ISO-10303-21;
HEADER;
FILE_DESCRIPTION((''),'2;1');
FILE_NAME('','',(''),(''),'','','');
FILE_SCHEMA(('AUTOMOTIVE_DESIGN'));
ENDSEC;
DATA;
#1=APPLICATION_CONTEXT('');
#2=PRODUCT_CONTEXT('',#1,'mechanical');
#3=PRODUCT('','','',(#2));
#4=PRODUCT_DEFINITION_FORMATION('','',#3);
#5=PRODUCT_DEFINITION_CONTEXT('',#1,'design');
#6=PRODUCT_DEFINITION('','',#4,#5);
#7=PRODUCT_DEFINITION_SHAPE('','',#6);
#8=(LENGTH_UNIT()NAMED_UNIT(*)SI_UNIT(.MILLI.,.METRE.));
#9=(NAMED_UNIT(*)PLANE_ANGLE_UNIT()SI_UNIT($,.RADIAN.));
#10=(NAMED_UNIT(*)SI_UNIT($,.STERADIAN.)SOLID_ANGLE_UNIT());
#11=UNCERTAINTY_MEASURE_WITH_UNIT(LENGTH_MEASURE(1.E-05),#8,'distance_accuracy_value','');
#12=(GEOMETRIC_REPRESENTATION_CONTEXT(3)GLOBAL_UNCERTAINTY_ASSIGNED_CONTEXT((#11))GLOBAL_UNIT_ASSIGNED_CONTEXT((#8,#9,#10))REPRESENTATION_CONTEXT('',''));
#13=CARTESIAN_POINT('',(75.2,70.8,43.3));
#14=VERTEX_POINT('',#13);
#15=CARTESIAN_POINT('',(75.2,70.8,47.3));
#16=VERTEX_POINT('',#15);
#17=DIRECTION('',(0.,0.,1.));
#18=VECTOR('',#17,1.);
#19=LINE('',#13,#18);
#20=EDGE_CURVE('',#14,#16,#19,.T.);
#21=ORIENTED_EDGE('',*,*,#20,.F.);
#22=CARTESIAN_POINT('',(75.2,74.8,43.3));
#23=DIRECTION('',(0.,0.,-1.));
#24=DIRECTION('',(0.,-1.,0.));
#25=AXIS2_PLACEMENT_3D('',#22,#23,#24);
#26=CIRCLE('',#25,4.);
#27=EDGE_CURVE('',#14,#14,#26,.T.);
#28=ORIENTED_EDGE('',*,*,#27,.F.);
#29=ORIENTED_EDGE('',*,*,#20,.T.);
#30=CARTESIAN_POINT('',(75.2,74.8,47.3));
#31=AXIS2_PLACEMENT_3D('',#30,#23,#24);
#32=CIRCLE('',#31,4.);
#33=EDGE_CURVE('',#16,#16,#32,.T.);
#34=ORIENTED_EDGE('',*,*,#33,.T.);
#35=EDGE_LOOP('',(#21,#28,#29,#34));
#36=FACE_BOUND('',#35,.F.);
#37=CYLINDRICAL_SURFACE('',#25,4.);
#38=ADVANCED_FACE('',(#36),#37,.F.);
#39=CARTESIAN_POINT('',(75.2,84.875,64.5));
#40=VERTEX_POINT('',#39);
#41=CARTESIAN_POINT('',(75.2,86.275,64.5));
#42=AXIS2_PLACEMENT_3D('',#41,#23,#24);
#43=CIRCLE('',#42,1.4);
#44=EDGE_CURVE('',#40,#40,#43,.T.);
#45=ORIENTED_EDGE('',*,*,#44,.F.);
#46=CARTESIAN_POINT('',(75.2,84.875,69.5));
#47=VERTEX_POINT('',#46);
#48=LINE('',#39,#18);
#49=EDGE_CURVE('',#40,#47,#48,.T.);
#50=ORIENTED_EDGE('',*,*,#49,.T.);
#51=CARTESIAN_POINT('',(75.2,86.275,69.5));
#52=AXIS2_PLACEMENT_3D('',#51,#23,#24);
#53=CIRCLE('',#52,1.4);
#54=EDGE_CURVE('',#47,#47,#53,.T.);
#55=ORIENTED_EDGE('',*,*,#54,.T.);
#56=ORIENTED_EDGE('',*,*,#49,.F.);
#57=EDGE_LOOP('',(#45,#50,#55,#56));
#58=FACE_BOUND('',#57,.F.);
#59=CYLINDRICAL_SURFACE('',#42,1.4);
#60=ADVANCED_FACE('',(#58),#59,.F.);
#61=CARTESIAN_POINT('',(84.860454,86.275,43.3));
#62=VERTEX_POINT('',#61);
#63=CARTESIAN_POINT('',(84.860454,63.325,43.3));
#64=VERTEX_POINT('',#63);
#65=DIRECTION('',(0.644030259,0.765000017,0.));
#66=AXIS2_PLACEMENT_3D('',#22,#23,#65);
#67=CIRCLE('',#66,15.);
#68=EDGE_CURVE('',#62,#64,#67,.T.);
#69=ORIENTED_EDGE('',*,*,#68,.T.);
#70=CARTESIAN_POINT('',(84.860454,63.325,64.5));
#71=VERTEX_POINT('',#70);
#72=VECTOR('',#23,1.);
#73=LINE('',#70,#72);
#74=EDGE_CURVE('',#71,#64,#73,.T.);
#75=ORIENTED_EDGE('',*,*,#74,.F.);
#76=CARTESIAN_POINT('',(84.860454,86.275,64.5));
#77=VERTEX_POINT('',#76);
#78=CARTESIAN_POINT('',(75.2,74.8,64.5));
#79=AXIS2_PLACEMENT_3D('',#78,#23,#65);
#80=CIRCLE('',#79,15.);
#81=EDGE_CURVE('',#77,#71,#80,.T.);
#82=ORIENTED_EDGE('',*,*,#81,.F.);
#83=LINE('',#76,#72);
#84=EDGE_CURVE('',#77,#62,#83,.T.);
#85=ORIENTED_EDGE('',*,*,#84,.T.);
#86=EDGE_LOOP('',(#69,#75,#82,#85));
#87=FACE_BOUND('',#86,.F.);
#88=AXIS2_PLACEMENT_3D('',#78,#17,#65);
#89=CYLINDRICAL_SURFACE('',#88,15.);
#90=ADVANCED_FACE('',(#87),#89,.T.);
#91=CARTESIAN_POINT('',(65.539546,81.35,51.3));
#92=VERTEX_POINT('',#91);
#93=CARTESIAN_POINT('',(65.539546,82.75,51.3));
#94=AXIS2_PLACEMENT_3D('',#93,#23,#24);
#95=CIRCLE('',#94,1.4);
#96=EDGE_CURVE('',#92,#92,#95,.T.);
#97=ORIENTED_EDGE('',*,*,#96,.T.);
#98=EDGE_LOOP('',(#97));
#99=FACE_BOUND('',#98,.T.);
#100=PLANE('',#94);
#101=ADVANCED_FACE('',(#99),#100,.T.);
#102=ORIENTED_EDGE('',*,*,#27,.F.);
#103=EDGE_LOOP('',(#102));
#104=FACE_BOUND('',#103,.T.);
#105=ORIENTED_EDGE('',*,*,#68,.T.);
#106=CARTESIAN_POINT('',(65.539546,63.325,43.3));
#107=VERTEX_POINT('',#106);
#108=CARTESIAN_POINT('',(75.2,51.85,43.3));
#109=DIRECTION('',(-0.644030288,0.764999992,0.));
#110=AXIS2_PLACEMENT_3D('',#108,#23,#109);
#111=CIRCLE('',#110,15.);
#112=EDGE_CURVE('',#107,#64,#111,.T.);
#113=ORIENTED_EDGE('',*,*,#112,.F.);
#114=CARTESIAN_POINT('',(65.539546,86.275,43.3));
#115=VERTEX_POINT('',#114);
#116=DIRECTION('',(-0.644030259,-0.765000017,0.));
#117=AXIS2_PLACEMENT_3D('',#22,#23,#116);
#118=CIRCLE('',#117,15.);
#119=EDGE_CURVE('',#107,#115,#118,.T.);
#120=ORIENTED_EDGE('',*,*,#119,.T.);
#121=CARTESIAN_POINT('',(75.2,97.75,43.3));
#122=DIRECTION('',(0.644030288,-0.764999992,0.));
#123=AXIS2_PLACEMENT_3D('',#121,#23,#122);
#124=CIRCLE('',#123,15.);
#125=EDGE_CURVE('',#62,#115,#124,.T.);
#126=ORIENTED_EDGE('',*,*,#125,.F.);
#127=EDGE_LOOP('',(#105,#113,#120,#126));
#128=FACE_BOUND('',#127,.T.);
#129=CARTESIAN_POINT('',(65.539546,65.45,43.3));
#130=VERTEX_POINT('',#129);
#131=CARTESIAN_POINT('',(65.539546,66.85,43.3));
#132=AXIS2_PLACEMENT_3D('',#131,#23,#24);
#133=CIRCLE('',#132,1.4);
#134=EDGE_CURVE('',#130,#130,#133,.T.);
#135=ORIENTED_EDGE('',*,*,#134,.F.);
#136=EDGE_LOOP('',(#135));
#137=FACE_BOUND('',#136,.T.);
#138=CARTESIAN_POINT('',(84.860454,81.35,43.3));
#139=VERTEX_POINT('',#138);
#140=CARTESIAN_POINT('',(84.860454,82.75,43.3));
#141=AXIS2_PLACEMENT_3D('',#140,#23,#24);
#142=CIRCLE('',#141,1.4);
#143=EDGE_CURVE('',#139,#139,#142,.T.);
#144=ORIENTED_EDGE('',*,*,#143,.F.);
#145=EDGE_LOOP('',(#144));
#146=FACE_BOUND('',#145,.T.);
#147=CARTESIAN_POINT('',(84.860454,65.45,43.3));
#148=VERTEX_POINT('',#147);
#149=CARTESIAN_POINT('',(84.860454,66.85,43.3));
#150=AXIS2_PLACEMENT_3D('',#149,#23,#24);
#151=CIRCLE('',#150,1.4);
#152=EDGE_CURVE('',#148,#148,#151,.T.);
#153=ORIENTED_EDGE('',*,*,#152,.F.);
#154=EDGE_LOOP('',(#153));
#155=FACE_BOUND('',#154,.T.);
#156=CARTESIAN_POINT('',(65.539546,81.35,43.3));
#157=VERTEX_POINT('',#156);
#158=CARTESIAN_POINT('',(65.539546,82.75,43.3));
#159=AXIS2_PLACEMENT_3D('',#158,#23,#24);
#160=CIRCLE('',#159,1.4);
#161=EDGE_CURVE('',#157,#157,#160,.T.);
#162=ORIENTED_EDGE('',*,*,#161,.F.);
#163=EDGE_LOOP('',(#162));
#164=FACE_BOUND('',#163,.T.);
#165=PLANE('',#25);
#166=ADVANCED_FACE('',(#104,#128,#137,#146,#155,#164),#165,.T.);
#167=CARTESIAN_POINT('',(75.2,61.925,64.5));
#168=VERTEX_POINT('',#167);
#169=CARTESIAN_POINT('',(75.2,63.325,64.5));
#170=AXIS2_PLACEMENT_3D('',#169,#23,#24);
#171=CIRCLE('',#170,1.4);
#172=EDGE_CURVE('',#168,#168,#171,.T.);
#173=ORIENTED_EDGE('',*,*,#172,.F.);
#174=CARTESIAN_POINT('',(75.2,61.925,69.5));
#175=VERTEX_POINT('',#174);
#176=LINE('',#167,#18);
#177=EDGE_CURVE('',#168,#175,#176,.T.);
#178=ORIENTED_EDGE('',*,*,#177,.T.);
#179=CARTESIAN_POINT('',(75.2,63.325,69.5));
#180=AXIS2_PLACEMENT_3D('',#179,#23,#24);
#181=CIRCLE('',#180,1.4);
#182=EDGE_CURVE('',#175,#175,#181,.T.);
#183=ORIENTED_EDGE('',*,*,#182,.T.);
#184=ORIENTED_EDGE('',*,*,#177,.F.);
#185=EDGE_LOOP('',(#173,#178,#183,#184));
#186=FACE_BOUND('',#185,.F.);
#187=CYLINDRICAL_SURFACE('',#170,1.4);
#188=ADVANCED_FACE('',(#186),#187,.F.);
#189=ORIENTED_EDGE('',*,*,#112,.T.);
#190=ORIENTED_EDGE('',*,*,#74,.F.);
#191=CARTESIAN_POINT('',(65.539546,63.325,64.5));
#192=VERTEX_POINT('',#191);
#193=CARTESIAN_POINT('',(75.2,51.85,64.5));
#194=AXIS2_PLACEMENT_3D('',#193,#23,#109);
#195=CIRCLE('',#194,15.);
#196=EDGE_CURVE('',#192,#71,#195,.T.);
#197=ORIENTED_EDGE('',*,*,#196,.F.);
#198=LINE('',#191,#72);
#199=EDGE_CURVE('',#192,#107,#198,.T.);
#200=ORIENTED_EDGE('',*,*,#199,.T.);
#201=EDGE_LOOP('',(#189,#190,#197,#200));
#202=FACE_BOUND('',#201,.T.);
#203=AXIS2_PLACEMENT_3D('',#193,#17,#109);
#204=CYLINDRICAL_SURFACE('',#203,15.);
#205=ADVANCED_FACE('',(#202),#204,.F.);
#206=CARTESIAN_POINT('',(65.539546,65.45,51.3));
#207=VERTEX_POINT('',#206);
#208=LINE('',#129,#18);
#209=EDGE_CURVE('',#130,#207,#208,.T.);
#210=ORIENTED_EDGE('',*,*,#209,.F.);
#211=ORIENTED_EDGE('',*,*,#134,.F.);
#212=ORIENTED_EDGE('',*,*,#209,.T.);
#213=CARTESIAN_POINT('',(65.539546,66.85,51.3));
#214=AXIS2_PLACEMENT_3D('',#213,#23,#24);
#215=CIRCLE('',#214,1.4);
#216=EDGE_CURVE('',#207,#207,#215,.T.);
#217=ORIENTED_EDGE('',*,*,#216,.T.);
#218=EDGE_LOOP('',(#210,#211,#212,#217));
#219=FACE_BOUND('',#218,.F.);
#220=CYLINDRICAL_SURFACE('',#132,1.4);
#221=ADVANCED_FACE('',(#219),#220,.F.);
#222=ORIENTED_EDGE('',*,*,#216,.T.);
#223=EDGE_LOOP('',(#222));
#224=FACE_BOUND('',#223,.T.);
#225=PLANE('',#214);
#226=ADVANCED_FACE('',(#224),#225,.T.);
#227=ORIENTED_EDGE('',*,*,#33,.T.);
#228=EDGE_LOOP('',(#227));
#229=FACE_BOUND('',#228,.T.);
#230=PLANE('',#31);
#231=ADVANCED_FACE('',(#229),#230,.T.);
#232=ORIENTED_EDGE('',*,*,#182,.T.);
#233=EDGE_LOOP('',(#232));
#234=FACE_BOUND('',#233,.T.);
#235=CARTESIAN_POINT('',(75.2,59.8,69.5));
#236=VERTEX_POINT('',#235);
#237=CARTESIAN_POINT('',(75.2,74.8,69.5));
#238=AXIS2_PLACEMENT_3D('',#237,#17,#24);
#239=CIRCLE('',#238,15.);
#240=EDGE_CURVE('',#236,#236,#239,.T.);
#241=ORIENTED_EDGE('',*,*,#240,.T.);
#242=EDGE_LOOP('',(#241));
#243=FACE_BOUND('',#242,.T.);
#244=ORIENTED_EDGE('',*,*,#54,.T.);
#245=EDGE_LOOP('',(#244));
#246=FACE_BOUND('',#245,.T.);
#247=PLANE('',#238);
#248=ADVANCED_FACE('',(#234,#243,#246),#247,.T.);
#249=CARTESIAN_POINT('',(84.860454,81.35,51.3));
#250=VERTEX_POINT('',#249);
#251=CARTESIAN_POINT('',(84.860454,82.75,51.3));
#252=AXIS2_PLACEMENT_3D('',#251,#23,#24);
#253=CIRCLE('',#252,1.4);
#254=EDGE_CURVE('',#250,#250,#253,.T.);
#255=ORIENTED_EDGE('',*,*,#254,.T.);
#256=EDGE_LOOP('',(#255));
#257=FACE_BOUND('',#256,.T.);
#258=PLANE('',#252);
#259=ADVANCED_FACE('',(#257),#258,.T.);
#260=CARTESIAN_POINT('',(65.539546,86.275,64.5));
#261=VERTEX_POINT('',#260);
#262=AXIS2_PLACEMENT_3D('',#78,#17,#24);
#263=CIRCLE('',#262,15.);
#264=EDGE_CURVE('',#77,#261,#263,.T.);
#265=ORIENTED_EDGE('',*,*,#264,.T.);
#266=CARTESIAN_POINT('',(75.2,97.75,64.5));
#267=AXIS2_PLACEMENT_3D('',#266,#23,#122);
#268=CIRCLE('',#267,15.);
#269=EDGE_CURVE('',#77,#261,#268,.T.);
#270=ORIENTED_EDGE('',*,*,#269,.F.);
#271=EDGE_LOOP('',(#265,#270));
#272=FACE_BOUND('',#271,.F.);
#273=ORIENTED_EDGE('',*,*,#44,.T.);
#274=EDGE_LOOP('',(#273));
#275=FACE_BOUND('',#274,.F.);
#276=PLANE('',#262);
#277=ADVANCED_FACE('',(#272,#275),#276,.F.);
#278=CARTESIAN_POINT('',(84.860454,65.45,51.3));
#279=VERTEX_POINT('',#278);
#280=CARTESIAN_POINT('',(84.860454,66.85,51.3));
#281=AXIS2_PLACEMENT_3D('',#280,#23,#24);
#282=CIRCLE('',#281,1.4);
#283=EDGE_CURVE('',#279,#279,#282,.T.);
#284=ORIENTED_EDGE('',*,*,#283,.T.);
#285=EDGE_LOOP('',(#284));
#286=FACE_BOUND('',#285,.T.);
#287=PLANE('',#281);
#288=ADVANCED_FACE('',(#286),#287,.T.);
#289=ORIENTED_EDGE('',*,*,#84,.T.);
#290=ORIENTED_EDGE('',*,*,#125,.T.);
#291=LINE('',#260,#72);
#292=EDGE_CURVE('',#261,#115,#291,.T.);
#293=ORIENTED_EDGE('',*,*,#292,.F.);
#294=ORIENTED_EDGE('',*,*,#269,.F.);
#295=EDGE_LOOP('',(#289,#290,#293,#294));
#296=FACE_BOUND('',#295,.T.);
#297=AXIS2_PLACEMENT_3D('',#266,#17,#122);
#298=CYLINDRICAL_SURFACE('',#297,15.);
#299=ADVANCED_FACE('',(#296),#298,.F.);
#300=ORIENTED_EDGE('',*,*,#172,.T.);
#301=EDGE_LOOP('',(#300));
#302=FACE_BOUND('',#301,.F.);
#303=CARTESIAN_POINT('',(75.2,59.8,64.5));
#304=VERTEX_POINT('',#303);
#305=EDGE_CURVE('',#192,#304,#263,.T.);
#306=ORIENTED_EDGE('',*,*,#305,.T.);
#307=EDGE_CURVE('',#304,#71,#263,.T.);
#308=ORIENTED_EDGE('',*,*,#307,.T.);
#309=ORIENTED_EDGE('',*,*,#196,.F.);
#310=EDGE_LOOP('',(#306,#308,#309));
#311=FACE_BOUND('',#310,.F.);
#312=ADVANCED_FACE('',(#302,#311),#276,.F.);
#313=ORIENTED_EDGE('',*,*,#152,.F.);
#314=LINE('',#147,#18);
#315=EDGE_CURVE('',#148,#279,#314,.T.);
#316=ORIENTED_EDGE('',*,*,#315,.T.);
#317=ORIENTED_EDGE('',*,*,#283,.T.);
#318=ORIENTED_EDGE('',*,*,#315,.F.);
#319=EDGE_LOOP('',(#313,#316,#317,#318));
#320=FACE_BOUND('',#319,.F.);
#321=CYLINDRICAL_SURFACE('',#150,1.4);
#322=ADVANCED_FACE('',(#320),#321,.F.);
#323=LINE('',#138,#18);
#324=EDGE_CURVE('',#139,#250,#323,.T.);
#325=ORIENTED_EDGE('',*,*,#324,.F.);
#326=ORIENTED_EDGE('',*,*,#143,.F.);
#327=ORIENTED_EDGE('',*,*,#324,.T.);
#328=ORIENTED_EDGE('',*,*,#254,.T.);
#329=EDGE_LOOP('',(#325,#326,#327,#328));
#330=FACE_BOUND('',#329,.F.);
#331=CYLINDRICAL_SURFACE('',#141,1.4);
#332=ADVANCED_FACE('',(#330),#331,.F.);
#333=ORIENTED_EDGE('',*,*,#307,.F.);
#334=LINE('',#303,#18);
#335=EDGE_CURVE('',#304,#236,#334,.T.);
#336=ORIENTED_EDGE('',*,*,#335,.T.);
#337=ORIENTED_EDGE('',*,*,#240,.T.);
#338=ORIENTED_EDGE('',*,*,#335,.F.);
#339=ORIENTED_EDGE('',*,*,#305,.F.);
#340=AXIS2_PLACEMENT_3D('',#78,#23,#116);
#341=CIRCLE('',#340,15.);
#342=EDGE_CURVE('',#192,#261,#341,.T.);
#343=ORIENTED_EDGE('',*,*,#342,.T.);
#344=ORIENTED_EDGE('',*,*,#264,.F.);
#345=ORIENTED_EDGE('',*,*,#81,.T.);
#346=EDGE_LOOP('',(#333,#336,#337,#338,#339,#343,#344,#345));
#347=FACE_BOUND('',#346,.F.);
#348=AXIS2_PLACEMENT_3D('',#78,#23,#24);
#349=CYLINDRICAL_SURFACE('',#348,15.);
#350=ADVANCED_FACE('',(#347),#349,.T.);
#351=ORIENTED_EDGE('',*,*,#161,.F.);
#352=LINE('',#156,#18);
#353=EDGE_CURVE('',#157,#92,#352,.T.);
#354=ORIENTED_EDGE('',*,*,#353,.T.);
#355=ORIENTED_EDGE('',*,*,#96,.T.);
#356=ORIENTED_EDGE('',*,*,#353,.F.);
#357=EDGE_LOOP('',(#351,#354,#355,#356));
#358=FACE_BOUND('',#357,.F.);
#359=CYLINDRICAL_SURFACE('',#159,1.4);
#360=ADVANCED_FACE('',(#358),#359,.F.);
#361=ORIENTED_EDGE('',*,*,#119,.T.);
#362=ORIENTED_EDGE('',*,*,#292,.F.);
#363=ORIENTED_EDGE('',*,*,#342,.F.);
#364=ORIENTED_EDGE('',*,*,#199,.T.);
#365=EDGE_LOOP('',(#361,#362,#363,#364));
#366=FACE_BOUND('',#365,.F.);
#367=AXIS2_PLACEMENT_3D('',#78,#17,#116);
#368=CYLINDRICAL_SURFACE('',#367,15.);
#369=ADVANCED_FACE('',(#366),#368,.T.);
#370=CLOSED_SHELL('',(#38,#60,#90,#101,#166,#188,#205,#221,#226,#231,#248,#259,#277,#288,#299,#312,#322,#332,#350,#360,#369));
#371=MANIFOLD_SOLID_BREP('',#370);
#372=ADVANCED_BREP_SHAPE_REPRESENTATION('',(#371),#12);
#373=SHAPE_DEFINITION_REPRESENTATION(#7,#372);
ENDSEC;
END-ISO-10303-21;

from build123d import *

# Parameters (mm, degrees)
SKETCH076_R             = 15
PAD017_DEPTH            = 5
SKETCH075_R             = 1.4
POCKET048_DEPTH         = 5.001
PAD018_DEPTH            = 21.2
SKETCH074_R             = 4
POCKET047_DEPTH         = 4
SKETCH078_R             = 1.4
POCKET049_DEPTH         = 8
BODY001_ROLL_ANGLE      = -90
BODY001_PLACEMENT_ANGLE = -90


with BuildPart() as part:
    # Sketch076 → Pad017 (new body)
    with BuildSketch(Plane.XZ):
        Circle(SKETCH076_R)
    extrude(amount=PAD017_DEPTH)

    # Sketch075 (on Face2 of Pad017) → Pocket048 (cut, through all)
    with BuildSketch(Plane(origin=(0, 0, 0), x_dir=(1, 0, 0), z_dir=(0, 1, 0))):
        with Locations((-11.475, 0)):
            Circle(SKETCH075_R)
        with Locations((11.475, 0)):
            Circle(SKETCH075_R)
    extrude(amount=-POCKET048_DEPTH, mode=Mode.SUBTRACT)

    # Sketch077 (on Face2 of Pocket048) → Pad018 (join)
    with BuildSketch(Plane(origin=(0, 0, 0), x_dir=(1, 0, 0), z_dir=(0, 1, 0))):
        with BuildLine():
            ThreePointArc((11.475, 9.660454), (0, 15), (-11.475, 9.660454))
            ThreePointArc((-11.475, -9.660454), (-7.95, 0), (-11.475, 9.660454))
            ThreePointArc((-11.475, -9.660454), (0, -15), (11.475, -9.660454))
            ThreePointArc((11.475, 9.660454), (7.95, 0), (11.475, -9.660454))
        make_face()
    extrude(amount=PAD018_DEPTH)

    # Sketch074 (on Face10 of Pad018) → Pocket047 (cut)
    with BuildSketch(Plane(origin=(0, 21.2, 0), x_dir=(1, 0, 0), z_dir=(0, 1, 0))):
        Circle(SKETCH074_R)
    extrude(amount=-POCKET047_DEPTH, mode=Mode.SUBTRACT)

    # Sketch078 (on Face10 of Pocket047) → Pocket049 (cut)
    with BuildSketch(Plane(origin=(0, 21.2, 0), x_dir=(1, 0, 0), z_dir=(0, 1, 0))):
        with Locations((-7.95, 9.660454)):
            Circle(SKETCH078_R)
        with Locations((7.95, 9.660454)):
            Circle(SKETCH078_R)
        with Locations((-7.95, -9.660454)):
            Circle(SKETCH078_R)
        with Locations((7.95, -9.660454)):
            Circle(SKETCH078_R)
    extrude(amount=-POCKET049_DEPTH, mode=Mode.SUBTRACT)


with BuildPart() as part_1:
    # Body001 roll: moved
    add(part.part.rotate(Axis((0, 0, 0), (1, 0, 0)), BODY001_ROLL_ANGLE))


with BuildPart() as part_2:
    # Body001 placement: moved
    add(part_1.part.moved(Location((75.2, 74.8, 64.5))).rotate(Axis((75.2, 74.8, 64.5), (0, 0, 1)), BODY001_PLACEMENT_ANGLE))


solid = part_2.part
